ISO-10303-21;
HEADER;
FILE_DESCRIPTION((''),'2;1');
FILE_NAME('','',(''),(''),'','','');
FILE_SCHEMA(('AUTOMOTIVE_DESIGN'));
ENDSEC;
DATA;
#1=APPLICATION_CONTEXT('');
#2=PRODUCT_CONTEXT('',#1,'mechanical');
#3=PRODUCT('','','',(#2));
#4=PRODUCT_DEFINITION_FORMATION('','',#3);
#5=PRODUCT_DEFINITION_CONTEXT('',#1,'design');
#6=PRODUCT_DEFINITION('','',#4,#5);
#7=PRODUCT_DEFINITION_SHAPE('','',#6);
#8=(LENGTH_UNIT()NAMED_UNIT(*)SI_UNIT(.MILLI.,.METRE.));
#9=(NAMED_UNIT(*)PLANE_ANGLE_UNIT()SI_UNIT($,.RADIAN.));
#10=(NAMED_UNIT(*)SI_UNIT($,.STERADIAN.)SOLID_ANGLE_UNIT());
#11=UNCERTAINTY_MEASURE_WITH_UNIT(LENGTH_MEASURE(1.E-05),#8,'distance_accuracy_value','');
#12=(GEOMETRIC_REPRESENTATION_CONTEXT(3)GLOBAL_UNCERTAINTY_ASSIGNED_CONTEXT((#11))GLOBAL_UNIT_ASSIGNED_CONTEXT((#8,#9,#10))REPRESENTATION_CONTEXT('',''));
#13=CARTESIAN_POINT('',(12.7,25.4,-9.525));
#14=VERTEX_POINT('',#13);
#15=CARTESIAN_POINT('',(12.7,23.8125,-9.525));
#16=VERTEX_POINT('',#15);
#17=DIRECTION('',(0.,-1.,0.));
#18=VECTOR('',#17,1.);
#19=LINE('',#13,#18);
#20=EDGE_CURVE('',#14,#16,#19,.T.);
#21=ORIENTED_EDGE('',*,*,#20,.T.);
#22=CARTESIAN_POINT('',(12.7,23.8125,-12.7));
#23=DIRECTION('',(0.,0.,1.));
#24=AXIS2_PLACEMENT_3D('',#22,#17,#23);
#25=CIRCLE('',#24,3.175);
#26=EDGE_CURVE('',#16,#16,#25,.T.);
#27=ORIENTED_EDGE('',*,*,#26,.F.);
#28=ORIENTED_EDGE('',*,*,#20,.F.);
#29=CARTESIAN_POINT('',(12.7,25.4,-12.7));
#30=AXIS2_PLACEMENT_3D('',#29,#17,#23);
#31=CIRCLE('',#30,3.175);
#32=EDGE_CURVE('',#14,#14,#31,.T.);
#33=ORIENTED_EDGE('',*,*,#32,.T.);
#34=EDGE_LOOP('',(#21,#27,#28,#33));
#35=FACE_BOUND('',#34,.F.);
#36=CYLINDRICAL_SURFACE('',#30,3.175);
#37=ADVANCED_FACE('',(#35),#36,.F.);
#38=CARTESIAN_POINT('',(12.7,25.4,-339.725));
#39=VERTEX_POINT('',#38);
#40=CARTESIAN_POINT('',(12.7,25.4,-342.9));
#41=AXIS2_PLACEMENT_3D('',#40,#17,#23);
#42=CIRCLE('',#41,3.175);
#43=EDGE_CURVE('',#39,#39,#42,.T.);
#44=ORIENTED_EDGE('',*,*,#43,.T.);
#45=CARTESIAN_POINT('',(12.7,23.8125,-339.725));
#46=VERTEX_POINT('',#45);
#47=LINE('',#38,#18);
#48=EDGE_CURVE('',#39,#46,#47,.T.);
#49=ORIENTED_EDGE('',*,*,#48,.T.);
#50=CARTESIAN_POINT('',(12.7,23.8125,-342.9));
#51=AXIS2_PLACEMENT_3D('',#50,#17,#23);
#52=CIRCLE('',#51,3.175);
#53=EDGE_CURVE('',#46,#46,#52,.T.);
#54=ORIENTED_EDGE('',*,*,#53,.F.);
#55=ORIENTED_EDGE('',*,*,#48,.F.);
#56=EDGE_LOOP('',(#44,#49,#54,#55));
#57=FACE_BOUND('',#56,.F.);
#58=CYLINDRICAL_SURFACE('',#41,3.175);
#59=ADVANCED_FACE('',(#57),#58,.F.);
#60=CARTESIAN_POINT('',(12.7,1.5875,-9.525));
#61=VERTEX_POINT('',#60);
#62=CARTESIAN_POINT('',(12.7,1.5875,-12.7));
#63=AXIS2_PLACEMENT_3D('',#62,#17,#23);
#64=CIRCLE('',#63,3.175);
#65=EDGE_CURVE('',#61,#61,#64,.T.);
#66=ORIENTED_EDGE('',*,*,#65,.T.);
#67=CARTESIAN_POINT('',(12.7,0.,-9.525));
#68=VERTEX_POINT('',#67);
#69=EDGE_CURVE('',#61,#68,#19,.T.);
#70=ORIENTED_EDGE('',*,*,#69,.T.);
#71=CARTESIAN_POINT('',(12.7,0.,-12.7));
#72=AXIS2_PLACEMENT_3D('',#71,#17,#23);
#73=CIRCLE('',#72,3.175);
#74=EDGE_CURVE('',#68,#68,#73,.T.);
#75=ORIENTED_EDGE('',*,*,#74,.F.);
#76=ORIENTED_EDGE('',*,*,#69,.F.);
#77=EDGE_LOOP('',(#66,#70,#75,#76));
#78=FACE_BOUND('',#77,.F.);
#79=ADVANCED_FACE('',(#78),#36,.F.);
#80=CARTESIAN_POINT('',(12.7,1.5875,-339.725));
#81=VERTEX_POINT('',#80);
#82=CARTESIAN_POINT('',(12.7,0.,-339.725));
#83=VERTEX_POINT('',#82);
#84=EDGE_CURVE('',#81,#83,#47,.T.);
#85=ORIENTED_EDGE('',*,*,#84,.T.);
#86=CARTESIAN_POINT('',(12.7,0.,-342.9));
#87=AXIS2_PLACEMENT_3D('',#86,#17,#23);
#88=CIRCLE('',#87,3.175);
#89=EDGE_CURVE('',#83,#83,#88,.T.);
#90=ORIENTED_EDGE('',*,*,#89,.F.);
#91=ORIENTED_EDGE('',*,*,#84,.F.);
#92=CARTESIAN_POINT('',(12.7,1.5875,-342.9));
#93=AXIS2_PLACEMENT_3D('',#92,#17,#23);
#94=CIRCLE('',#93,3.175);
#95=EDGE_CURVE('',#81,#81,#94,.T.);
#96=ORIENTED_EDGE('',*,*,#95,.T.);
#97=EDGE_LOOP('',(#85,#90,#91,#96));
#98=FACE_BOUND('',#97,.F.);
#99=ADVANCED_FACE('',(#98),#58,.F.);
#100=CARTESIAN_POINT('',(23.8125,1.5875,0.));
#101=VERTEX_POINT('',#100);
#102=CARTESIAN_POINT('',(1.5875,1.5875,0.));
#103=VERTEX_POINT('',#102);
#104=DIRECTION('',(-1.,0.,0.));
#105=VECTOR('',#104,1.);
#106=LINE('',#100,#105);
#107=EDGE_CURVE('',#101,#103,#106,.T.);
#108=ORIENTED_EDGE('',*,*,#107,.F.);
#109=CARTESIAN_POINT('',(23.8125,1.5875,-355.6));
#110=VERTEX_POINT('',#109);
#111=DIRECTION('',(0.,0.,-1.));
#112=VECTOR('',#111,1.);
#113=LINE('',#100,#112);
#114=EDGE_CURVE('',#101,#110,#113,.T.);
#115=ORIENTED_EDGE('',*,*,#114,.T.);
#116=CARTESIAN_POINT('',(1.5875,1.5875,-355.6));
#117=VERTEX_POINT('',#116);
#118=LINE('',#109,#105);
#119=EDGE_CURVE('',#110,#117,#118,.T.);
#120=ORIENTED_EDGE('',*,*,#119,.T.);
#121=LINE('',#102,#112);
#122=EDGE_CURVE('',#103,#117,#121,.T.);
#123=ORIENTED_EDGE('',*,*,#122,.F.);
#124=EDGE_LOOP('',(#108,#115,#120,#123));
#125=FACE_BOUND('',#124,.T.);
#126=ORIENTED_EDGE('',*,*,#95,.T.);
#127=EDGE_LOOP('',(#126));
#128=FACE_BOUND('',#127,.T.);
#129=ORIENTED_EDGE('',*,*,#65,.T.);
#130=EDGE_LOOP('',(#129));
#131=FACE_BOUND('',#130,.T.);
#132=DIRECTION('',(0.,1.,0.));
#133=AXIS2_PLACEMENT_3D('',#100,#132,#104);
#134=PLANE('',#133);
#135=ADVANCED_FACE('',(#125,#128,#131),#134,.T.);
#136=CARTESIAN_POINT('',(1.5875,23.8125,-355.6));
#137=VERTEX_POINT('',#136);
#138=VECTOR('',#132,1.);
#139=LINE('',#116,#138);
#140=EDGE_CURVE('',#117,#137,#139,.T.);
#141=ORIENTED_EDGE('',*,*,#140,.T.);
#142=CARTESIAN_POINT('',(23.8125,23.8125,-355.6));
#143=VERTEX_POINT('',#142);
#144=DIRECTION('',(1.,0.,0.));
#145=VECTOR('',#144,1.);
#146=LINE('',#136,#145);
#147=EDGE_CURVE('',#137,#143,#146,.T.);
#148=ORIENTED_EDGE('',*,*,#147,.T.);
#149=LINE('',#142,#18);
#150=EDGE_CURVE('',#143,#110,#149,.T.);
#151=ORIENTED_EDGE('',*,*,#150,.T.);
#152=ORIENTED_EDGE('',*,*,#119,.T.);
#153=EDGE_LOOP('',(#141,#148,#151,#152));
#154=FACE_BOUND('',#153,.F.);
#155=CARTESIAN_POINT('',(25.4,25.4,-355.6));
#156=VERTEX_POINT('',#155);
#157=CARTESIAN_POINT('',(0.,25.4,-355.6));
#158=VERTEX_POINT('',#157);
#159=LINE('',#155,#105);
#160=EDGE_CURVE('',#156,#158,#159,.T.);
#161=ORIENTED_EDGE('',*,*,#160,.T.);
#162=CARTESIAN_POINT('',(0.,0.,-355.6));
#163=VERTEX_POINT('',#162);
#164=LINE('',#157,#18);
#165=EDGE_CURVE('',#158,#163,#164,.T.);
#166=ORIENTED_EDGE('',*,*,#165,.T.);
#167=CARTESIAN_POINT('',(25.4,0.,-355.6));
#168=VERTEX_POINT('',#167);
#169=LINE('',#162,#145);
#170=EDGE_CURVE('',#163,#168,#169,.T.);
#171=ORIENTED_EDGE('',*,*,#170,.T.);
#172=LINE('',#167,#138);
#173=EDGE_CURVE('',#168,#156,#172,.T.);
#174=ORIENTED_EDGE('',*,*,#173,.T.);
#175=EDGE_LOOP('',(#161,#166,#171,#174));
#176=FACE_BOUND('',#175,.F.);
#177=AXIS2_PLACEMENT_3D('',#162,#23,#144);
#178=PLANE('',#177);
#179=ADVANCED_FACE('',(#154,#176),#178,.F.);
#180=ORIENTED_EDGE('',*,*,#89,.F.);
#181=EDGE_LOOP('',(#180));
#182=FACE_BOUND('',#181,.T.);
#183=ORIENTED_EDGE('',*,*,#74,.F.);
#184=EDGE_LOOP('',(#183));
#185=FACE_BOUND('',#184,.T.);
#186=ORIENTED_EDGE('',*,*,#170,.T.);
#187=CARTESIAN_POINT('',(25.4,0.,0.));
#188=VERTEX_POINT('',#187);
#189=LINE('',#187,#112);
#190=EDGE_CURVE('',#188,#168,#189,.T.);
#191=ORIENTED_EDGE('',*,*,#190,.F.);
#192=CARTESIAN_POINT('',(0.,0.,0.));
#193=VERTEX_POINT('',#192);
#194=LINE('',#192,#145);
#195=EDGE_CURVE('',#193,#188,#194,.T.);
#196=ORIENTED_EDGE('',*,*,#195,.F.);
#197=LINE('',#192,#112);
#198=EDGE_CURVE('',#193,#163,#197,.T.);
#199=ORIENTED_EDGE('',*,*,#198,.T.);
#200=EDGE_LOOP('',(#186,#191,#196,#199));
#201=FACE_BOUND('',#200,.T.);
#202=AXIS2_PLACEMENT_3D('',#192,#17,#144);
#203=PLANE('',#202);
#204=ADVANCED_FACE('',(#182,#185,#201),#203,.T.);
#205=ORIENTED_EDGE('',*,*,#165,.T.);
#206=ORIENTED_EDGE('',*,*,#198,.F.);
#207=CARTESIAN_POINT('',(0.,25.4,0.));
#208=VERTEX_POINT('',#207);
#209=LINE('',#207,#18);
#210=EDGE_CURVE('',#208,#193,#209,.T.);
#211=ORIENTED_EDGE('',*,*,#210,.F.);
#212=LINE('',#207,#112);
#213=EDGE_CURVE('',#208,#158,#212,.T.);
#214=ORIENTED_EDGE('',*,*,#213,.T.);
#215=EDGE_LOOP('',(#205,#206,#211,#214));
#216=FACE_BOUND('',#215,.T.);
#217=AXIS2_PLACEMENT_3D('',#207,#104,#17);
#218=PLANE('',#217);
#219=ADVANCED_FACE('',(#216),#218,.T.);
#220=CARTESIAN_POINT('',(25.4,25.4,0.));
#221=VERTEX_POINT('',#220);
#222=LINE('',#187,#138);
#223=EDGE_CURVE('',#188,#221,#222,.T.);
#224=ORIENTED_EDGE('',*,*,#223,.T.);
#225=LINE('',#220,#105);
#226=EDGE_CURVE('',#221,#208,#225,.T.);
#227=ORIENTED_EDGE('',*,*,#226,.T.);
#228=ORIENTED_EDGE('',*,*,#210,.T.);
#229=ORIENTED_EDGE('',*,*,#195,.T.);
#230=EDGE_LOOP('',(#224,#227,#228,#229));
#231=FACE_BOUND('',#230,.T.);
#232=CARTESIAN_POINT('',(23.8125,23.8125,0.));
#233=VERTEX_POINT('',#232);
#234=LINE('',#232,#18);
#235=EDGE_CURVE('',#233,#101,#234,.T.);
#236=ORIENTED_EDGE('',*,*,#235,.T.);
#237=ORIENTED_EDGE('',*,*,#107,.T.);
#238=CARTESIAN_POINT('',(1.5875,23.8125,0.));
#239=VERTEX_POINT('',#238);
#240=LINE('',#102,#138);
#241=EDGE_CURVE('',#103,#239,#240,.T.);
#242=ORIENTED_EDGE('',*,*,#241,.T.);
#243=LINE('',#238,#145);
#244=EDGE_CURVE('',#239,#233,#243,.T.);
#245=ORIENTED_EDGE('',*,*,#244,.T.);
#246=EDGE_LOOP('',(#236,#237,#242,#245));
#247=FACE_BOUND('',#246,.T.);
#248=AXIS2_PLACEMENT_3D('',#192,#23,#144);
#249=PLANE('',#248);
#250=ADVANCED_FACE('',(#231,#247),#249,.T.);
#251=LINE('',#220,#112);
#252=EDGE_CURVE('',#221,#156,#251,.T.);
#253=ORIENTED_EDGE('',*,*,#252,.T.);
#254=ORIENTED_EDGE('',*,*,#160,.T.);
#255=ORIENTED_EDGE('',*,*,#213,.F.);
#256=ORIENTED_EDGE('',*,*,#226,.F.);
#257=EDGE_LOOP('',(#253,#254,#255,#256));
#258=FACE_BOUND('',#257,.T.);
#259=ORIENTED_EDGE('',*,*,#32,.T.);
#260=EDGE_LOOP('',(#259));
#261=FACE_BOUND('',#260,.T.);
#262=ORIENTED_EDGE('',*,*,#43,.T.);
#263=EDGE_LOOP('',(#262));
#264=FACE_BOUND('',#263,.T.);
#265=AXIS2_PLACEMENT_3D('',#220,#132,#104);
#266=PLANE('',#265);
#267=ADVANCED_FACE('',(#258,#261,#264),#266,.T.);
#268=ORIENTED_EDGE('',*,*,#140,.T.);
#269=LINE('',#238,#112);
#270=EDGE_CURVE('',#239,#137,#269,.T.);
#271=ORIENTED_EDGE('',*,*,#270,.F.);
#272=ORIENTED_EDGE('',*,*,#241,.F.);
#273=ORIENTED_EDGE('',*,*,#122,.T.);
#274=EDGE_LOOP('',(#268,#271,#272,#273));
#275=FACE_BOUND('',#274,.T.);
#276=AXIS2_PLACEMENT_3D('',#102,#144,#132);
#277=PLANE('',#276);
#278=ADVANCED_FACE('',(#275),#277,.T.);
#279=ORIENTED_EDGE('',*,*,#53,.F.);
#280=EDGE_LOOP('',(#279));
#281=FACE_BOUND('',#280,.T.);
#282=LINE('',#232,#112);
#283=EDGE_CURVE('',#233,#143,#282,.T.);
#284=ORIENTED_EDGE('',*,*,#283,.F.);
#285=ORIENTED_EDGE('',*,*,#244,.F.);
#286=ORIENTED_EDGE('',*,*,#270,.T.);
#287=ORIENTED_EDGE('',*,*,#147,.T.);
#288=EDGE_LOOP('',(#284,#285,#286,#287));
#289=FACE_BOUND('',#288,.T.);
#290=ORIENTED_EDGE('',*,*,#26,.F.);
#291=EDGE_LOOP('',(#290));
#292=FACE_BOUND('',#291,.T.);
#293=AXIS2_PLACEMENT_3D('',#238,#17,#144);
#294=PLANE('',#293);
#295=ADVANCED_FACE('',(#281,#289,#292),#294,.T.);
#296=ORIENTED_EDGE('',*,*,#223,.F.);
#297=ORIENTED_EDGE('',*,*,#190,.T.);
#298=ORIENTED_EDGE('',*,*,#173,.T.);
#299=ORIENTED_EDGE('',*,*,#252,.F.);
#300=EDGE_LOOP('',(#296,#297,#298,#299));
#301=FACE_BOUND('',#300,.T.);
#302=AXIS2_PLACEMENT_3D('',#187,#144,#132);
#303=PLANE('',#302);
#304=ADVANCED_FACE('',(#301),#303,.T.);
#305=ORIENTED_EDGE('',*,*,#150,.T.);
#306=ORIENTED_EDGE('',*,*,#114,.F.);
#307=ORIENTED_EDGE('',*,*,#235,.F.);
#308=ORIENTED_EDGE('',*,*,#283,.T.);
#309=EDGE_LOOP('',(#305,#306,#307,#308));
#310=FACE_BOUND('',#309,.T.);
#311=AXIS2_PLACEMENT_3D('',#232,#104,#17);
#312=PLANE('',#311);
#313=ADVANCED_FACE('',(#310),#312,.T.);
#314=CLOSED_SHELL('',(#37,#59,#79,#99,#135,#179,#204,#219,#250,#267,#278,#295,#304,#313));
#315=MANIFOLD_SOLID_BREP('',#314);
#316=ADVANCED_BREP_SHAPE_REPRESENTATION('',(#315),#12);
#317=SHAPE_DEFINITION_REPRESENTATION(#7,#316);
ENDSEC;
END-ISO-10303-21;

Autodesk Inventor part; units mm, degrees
ref_plane "YZ Plane" through (0, 0, 0) normal (1, 0, 0) x (0, 1, 0)
ref_plane "XZ Plane" through (0, 0, 0) normal (0, 1, 0) x (-1, 0, 0)
ref_plane "XY Plane" through (0, 0, 0) normal (0, 0, 1) x (1, 0, 0)
sketch "Sketch1" plane through (0, 0, 0) normal (0, 0, 1) x (1, 0, 0)
  line L0 (0, 0) -> (25.4, 0)
  line L1 (25.4, 0) -> (25.4, 25.4)
  line L2 (25.4, 25.4) -> (0, 25.4)
  line L3 (0, 25.4) -> (0, 0)
  line L4 (1.5875, 23.8125) -> (23.8125, 23.8125)
  line L5 (23.8125, 23.8125) -> (23.8125, 1.5875)
  line L6 (23.8125, 1.5875) -> (1.5875, 1.5875)
  line L7 (1.5875, 1.5875) -> (1.5875, 23.8125)
  dimension "d0" = 25.4
  dimension "d1" = 25.4
  dimension "d2" = 1.5875
extrude "Extrusion1" add sketch "Sketch1" against normal blind 355.6
sketch "Sketch2" plane through (0, 25.4, 0) normal (0, 1, 0) x (1, 0, 0)
  line L0 (25.4, 355.6) -> (0, 355.6) projected
  line L1 (0, 0) -> (0, 355.6) projected
  line L2 (25.4, 0) -> (0, 0) projected
  point P0 (12.7, 12.7)
  point P1 (12.7, 342.9)
  dimension "d5" = 12.7
  dimension "d6" = 12.7
  dimension "d7" = 12.7
hole "Hole1" at (12.7, 25.4, -12.7) at (12.7, 25.4, -342.9) direction (0, -1, 0) diameter 6.35 depth 25.4 tip angle 118
properties part number "tube_m_l_out"
